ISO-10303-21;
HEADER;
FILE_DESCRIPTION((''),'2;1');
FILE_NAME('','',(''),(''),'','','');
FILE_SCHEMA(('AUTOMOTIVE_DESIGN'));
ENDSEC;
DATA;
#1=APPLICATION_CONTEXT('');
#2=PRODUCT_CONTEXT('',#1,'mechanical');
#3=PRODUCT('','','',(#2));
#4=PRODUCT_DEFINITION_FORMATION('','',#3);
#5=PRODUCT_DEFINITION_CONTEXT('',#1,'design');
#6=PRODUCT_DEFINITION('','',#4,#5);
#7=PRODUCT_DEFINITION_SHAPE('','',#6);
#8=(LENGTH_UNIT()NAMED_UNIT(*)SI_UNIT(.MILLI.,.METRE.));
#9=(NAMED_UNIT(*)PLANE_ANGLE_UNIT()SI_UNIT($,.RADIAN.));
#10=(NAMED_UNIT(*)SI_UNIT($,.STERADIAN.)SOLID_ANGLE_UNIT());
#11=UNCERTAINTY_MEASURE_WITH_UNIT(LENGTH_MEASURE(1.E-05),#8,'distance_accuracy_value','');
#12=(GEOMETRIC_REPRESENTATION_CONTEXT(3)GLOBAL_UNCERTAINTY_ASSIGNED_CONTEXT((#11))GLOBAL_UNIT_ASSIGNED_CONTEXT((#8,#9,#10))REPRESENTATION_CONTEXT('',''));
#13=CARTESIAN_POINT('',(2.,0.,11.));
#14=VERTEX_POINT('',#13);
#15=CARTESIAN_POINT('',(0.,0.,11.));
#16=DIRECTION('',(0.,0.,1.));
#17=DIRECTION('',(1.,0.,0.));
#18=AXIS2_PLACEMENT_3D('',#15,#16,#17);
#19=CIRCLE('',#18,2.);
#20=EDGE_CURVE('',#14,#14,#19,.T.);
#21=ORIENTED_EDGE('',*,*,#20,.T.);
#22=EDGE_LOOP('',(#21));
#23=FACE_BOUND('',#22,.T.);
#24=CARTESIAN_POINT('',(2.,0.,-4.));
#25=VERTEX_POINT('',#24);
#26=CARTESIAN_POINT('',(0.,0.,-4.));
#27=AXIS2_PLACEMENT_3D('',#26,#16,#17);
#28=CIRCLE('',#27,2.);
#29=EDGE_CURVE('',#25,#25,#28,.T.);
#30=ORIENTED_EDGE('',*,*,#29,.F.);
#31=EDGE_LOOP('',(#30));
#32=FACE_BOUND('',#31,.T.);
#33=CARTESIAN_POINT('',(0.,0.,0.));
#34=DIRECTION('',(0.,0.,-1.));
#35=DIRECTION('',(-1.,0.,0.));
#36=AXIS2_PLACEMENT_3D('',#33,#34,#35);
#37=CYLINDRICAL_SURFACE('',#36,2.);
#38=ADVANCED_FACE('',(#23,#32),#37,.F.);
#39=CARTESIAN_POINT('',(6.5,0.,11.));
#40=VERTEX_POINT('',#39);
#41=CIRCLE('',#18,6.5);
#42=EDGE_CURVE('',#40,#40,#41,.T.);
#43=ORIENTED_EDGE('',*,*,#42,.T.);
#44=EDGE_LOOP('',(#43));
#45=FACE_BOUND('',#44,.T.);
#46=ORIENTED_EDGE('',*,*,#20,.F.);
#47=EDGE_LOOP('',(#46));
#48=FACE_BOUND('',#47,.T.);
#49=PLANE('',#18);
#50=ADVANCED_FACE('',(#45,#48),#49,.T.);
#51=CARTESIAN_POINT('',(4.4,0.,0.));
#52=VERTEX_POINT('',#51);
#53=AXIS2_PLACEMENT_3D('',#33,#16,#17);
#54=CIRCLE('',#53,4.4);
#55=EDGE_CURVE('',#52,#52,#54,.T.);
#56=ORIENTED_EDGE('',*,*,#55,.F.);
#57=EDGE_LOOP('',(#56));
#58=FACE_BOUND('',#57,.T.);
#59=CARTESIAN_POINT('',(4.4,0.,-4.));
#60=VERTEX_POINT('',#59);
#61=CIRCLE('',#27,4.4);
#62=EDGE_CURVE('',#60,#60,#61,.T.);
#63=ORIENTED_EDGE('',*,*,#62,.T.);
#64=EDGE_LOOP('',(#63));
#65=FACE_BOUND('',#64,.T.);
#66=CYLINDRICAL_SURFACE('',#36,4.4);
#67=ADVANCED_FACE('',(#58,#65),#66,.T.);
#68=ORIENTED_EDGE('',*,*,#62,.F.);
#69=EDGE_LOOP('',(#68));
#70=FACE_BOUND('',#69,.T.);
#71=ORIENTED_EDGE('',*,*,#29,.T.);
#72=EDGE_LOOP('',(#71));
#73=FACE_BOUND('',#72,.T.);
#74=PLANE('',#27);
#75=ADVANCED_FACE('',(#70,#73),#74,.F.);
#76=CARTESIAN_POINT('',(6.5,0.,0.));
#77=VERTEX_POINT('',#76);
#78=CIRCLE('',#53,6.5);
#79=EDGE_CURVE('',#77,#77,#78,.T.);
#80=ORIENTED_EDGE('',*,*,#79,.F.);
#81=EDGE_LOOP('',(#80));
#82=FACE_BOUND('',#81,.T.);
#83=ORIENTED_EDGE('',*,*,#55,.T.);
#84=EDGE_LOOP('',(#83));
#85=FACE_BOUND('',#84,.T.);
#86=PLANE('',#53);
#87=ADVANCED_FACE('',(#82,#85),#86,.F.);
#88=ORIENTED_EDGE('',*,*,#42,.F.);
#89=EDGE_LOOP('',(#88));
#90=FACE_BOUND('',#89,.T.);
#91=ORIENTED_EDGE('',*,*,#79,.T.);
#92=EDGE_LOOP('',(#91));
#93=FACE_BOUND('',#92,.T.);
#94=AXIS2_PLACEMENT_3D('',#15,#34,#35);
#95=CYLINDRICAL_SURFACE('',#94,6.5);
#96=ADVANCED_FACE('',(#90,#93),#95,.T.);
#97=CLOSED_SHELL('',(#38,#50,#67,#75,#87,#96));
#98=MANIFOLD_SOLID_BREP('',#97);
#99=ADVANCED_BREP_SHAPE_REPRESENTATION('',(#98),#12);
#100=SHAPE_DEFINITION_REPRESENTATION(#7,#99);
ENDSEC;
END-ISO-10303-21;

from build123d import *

# Parameters (mm, degrees)
RC_START                                     = -4
SKETCH1_R                                    = 4.4
SKETCH1_R_2                                  = 2
RC_1_8_CONNECTION_THREAD_CORE_ENVELOPE_DEPTH = 4
SKETCH2_R                                    = 6.5
SKETCH2_R_2                                  = 2
SHORT_FITTING_AND_TOOL_ACCESS_ENVELOPE_DEPTH = 11


with BuildPart() as part:
    # Sketch1 → Rc 1/8 connection, thread core envelope (new body)
    with BuildSketch(Plane.XY.offset(RC_START)):
        Circle(SKETCH1_R)
        Circle(SKETCH1_R_2, mode=Mode.SUBTRACT)
    extrude(amount=RC_1_8_CONNECTION_THREAD_CORE_ENVELOPE_DEPTH)

    # Sketch2 → Short fitting and tool access envelope (add)
    with BuildSketch(Plane.XY):
        Circle(SKETCH2_R)
        Circle(SKETCH2_R_2, mode=Mode.SUBTRACT)
    extrude(amount=SHORT_FITTING_AND_TOOL_ACCESS_ENVELOPE_DEPTH)


solid = part.part
